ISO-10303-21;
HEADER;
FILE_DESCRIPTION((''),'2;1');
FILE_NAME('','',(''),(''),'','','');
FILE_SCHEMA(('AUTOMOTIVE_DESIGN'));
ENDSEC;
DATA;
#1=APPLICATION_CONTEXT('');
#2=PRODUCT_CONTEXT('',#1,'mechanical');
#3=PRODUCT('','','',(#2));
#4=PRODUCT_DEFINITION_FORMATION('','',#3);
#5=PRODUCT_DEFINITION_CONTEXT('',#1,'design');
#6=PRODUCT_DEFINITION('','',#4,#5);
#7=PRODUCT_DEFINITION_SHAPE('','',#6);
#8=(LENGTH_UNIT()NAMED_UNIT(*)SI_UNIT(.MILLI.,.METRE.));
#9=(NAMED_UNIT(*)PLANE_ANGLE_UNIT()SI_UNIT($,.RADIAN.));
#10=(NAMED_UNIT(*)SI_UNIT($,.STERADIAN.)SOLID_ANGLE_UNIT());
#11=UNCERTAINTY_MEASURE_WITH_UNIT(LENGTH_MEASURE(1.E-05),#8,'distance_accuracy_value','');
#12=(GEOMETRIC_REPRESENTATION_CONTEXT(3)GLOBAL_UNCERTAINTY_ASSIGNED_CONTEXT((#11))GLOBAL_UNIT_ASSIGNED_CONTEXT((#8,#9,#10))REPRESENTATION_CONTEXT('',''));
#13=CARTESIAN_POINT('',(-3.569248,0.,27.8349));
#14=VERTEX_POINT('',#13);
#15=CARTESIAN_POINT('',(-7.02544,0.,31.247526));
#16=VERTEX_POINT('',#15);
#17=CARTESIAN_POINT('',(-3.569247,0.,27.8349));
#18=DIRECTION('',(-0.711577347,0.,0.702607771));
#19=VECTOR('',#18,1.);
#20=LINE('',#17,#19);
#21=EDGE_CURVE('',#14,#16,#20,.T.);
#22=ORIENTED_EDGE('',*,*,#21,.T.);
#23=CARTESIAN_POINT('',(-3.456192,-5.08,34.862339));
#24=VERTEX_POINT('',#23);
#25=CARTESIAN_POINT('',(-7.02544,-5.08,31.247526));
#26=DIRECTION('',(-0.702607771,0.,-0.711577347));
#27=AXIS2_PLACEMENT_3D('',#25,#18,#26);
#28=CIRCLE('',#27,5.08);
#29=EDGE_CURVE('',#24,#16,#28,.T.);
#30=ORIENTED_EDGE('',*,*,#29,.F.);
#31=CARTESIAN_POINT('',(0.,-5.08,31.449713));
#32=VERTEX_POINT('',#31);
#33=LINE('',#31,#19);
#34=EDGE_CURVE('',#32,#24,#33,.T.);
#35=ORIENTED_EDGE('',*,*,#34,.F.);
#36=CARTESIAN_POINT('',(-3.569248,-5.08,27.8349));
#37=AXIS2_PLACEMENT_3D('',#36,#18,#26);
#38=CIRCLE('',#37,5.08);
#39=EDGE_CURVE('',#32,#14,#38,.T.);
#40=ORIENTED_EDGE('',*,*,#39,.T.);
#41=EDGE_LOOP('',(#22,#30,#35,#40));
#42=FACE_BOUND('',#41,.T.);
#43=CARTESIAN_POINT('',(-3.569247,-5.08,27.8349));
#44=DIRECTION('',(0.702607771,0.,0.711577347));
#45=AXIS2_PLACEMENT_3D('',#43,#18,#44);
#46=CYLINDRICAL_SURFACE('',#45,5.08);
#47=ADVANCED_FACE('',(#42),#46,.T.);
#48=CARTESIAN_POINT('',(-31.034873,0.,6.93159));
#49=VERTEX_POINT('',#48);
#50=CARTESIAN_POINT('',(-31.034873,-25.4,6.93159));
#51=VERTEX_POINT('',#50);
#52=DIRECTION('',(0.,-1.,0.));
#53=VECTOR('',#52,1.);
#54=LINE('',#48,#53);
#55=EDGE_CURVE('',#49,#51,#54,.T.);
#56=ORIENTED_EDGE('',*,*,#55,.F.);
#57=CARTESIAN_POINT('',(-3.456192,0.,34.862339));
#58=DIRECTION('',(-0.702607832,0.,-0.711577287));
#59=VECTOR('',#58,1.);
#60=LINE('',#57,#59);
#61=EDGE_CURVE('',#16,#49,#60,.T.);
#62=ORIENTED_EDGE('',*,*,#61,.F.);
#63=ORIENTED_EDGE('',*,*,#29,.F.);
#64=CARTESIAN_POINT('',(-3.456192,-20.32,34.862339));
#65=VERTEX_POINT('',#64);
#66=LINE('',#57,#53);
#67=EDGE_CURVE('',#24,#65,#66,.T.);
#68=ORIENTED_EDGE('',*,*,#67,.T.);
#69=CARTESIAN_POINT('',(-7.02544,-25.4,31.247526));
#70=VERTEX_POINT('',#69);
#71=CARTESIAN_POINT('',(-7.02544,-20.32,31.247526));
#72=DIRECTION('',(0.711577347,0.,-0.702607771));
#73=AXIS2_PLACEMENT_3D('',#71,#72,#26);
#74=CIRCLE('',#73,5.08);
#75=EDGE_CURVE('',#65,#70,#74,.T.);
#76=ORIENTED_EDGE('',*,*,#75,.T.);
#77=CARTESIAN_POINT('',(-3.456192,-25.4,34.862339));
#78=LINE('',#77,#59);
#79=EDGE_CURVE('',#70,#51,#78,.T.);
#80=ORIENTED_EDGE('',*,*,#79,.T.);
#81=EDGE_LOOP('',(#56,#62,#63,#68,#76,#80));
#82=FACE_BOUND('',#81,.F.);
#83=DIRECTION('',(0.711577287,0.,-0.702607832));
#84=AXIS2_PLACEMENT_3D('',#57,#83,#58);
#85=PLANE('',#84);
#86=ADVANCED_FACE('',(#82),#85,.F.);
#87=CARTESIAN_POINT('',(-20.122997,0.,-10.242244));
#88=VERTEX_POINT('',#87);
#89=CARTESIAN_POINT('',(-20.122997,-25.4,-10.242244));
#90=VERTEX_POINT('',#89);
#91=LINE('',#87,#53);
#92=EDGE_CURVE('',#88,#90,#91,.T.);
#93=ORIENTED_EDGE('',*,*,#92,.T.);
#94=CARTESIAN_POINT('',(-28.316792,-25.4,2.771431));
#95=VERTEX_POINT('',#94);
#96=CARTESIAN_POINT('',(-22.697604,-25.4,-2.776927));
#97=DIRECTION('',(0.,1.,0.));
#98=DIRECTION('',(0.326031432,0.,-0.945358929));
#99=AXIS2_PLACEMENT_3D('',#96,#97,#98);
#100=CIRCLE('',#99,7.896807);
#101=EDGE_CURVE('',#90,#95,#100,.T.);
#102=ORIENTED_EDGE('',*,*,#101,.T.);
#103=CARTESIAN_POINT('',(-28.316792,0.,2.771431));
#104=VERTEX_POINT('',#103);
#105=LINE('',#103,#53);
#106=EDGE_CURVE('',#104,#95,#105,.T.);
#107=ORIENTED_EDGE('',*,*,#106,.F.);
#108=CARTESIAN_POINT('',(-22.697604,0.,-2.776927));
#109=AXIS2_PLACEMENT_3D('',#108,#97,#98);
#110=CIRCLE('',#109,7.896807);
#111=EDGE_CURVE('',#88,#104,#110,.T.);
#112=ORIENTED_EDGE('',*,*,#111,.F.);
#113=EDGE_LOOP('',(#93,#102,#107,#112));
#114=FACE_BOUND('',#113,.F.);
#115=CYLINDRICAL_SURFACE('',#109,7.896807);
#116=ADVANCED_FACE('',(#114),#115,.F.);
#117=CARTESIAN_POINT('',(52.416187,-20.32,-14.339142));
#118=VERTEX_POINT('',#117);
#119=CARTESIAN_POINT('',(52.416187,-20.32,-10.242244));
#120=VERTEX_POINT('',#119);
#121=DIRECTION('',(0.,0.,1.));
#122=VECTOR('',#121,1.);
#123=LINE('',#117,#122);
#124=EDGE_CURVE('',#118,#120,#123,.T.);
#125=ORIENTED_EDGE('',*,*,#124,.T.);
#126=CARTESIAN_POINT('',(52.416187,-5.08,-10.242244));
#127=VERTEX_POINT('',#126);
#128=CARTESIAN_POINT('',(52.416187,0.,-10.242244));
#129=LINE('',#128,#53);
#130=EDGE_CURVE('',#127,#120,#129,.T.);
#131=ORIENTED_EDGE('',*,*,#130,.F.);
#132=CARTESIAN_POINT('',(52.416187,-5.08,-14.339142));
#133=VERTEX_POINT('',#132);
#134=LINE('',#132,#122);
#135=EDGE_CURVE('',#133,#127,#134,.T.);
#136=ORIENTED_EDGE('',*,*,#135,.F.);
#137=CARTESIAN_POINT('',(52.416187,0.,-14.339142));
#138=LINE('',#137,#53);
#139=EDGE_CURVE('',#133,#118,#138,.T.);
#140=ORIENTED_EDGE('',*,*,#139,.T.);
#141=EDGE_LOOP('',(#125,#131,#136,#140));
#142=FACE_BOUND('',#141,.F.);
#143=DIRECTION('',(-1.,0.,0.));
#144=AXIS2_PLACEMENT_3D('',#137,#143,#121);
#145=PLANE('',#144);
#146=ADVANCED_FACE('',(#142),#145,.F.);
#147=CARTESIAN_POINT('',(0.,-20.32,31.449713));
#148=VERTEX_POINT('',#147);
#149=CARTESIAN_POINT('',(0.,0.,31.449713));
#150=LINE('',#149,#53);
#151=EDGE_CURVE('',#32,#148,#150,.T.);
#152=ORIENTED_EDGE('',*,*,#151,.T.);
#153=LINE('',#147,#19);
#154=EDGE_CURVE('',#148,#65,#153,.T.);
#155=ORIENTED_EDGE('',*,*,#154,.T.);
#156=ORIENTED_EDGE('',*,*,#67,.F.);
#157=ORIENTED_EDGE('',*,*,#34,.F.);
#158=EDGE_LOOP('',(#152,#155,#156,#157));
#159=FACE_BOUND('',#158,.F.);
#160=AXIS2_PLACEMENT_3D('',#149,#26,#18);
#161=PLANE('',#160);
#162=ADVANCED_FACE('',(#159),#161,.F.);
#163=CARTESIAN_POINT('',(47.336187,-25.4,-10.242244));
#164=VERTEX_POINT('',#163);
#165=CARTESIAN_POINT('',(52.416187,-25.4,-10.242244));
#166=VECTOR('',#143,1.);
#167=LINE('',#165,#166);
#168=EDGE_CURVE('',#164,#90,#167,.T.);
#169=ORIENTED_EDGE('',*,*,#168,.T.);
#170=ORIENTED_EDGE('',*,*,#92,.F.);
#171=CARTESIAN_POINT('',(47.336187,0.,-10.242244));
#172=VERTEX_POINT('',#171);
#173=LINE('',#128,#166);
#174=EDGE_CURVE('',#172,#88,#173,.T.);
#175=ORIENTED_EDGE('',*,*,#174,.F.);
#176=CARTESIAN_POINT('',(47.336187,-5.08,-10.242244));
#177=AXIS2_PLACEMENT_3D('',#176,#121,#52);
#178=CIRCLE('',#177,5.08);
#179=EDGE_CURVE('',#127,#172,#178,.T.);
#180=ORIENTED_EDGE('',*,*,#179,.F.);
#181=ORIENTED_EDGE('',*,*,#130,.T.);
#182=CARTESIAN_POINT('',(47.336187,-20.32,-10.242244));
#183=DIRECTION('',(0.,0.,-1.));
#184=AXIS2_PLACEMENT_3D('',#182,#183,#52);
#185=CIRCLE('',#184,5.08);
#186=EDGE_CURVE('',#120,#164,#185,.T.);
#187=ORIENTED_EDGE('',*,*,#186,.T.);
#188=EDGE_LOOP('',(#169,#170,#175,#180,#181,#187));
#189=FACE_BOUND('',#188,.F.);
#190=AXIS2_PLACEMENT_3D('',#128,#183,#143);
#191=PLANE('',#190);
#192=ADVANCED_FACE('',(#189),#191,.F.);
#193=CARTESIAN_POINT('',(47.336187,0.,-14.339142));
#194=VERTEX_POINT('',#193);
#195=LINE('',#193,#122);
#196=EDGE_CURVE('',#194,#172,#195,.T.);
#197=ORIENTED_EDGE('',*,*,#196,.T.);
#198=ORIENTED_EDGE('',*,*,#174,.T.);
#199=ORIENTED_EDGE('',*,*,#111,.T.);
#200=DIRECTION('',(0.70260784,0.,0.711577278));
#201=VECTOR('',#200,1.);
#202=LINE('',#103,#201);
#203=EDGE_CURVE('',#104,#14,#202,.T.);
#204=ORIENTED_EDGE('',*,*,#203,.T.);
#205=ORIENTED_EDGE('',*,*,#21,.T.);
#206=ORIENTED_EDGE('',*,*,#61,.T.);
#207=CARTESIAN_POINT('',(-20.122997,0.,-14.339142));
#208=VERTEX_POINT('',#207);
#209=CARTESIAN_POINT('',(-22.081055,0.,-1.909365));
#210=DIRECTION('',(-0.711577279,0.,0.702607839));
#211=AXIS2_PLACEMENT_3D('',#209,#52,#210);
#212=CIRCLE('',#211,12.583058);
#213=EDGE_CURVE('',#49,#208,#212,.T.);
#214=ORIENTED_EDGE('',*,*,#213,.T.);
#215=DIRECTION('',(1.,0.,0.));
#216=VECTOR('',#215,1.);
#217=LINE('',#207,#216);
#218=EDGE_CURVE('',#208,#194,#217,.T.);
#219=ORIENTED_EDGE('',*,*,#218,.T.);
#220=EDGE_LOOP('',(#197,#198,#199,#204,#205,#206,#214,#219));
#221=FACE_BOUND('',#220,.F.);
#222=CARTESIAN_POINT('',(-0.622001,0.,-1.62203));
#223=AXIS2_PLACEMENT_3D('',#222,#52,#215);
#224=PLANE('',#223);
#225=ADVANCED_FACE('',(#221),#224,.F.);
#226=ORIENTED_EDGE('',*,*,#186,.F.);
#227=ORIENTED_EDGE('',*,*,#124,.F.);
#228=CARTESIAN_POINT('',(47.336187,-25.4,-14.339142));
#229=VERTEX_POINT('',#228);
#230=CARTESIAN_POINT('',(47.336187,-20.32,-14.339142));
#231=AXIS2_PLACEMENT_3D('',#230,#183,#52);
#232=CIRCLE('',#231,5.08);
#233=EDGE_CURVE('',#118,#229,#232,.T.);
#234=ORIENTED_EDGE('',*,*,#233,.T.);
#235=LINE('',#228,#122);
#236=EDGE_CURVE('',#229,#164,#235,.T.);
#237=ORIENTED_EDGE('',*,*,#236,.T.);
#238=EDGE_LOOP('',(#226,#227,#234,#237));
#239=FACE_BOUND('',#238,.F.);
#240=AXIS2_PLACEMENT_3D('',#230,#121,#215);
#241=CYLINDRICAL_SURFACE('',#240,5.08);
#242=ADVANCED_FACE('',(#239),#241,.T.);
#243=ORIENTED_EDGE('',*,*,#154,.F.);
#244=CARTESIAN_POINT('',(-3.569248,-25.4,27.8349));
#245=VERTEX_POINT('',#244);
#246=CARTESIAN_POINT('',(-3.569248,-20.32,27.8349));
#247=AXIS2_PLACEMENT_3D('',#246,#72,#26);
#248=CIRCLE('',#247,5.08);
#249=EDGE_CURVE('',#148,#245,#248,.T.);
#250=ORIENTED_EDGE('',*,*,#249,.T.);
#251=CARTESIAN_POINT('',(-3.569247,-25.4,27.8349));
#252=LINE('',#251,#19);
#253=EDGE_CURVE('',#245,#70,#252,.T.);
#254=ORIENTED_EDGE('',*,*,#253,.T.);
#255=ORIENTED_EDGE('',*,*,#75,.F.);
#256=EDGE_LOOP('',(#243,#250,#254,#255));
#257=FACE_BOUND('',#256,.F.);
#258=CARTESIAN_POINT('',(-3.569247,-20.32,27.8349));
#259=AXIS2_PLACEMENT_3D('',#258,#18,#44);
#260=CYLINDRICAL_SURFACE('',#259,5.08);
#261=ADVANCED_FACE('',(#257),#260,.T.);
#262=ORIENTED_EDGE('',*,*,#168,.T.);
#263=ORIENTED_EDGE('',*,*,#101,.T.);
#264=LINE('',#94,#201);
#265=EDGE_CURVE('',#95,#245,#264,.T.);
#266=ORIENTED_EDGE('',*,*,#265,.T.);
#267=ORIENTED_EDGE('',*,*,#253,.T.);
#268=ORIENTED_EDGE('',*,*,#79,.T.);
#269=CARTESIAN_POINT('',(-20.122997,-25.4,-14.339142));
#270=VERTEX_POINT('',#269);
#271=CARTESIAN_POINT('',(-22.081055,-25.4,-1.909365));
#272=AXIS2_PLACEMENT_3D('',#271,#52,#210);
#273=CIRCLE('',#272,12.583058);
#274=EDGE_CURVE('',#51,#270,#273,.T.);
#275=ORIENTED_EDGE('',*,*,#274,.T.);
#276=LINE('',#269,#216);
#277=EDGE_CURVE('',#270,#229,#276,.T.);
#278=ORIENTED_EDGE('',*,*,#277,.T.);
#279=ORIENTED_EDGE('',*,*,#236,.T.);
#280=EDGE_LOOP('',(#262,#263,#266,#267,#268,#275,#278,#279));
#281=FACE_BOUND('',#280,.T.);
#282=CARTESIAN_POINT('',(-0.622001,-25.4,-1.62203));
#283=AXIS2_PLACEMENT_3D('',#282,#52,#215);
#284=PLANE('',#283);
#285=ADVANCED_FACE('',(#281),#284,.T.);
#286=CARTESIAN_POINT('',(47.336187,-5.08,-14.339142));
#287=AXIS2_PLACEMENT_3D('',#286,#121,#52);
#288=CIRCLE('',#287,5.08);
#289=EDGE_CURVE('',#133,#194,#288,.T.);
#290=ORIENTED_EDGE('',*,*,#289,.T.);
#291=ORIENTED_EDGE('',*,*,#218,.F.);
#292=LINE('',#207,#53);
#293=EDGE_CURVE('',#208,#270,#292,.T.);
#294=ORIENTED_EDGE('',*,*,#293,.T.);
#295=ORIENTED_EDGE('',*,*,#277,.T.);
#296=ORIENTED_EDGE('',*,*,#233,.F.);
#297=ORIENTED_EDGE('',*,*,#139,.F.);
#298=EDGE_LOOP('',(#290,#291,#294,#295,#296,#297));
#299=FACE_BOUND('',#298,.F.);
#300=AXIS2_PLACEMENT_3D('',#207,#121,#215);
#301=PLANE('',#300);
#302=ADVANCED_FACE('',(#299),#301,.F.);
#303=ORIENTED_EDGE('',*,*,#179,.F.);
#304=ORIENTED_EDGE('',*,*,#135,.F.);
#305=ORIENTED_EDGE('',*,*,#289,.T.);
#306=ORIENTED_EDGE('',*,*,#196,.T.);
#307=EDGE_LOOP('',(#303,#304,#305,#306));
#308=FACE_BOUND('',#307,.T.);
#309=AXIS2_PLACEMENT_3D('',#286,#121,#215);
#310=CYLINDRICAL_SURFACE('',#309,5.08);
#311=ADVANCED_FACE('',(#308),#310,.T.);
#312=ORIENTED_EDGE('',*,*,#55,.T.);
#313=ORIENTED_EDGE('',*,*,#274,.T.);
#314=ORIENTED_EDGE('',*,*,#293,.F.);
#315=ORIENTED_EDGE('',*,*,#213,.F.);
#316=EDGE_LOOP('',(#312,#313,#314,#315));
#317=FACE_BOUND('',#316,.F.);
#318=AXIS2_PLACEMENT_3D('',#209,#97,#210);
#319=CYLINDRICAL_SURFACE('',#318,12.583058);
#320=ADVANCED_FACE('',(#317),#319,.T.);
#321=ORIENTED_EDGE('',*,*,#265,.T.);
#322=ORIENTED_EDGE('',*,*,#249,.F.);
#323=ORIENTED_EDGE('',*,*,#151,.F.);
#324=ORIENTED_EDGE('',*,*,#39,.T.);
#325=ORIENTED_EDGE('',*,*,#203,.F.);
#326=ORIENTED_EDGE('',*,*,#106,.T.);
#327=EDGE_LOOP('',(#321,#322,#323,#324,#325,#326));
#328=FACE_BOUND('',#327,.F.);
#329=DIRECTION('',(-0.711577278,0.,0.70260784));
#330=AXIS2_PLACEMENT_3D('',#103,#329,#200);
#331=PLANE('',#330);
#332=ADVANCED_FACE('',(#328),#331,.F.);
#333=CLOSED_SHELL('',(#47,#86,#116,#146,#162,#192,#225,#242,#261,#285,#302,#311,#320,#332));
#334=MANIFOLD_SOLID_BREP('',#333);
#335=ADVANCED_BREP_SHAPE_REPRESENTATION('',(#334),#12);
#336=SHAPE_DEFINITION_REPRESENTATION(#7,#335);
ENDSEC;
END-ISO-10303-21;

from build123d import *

# Parameters (mm, degrees)
F1_DEPTH = 25.4
F2_R     = 5.08


with BuildPart() as f1:
    # F0 (on Front) → F1 (new body)
    with BuildSketch(Plane.XZ):
        with BuildLine():
            Line((-28.316792, 2.771431), (0, 31.449713))
            Line((0, 31.449713), (-3.456192, 34.862339))
            Line((-3.456192, 34.862339), (-31.034873, 6.93159))
            ThreePointArc((-31.034873, 6.93159), (-33.276866, -7.65281), (-20.122997, -14.339142))
            Line((-20.122997, -14.339142), (52.416187, -14.339142))
            Line((52.416187, -14.339142), (52.416187, -10.242244))
            Line((52.416187, -10.242244), (-20.122997, -10.242244))
            ThreePointArc((-20.122997, -10.242244), (-29.380141, -6.984451), (-28.316792, 2.771431))
        make_face()
    extrude(amount=F1_DEPTH)

    # F2
    f2_edges = [f1.edges().sort_by_distance(p)[0] for p in [
        (-1.728096, -25.4, 33.156026),
        (-1.728096, 0, 33.156026),
        (52.416187, -25.4, -12.290693),
        (52.416187, 0, -12.290693),
    ]]
    fillet(f2_edges, radius=F2_R)


solid = f1.part
